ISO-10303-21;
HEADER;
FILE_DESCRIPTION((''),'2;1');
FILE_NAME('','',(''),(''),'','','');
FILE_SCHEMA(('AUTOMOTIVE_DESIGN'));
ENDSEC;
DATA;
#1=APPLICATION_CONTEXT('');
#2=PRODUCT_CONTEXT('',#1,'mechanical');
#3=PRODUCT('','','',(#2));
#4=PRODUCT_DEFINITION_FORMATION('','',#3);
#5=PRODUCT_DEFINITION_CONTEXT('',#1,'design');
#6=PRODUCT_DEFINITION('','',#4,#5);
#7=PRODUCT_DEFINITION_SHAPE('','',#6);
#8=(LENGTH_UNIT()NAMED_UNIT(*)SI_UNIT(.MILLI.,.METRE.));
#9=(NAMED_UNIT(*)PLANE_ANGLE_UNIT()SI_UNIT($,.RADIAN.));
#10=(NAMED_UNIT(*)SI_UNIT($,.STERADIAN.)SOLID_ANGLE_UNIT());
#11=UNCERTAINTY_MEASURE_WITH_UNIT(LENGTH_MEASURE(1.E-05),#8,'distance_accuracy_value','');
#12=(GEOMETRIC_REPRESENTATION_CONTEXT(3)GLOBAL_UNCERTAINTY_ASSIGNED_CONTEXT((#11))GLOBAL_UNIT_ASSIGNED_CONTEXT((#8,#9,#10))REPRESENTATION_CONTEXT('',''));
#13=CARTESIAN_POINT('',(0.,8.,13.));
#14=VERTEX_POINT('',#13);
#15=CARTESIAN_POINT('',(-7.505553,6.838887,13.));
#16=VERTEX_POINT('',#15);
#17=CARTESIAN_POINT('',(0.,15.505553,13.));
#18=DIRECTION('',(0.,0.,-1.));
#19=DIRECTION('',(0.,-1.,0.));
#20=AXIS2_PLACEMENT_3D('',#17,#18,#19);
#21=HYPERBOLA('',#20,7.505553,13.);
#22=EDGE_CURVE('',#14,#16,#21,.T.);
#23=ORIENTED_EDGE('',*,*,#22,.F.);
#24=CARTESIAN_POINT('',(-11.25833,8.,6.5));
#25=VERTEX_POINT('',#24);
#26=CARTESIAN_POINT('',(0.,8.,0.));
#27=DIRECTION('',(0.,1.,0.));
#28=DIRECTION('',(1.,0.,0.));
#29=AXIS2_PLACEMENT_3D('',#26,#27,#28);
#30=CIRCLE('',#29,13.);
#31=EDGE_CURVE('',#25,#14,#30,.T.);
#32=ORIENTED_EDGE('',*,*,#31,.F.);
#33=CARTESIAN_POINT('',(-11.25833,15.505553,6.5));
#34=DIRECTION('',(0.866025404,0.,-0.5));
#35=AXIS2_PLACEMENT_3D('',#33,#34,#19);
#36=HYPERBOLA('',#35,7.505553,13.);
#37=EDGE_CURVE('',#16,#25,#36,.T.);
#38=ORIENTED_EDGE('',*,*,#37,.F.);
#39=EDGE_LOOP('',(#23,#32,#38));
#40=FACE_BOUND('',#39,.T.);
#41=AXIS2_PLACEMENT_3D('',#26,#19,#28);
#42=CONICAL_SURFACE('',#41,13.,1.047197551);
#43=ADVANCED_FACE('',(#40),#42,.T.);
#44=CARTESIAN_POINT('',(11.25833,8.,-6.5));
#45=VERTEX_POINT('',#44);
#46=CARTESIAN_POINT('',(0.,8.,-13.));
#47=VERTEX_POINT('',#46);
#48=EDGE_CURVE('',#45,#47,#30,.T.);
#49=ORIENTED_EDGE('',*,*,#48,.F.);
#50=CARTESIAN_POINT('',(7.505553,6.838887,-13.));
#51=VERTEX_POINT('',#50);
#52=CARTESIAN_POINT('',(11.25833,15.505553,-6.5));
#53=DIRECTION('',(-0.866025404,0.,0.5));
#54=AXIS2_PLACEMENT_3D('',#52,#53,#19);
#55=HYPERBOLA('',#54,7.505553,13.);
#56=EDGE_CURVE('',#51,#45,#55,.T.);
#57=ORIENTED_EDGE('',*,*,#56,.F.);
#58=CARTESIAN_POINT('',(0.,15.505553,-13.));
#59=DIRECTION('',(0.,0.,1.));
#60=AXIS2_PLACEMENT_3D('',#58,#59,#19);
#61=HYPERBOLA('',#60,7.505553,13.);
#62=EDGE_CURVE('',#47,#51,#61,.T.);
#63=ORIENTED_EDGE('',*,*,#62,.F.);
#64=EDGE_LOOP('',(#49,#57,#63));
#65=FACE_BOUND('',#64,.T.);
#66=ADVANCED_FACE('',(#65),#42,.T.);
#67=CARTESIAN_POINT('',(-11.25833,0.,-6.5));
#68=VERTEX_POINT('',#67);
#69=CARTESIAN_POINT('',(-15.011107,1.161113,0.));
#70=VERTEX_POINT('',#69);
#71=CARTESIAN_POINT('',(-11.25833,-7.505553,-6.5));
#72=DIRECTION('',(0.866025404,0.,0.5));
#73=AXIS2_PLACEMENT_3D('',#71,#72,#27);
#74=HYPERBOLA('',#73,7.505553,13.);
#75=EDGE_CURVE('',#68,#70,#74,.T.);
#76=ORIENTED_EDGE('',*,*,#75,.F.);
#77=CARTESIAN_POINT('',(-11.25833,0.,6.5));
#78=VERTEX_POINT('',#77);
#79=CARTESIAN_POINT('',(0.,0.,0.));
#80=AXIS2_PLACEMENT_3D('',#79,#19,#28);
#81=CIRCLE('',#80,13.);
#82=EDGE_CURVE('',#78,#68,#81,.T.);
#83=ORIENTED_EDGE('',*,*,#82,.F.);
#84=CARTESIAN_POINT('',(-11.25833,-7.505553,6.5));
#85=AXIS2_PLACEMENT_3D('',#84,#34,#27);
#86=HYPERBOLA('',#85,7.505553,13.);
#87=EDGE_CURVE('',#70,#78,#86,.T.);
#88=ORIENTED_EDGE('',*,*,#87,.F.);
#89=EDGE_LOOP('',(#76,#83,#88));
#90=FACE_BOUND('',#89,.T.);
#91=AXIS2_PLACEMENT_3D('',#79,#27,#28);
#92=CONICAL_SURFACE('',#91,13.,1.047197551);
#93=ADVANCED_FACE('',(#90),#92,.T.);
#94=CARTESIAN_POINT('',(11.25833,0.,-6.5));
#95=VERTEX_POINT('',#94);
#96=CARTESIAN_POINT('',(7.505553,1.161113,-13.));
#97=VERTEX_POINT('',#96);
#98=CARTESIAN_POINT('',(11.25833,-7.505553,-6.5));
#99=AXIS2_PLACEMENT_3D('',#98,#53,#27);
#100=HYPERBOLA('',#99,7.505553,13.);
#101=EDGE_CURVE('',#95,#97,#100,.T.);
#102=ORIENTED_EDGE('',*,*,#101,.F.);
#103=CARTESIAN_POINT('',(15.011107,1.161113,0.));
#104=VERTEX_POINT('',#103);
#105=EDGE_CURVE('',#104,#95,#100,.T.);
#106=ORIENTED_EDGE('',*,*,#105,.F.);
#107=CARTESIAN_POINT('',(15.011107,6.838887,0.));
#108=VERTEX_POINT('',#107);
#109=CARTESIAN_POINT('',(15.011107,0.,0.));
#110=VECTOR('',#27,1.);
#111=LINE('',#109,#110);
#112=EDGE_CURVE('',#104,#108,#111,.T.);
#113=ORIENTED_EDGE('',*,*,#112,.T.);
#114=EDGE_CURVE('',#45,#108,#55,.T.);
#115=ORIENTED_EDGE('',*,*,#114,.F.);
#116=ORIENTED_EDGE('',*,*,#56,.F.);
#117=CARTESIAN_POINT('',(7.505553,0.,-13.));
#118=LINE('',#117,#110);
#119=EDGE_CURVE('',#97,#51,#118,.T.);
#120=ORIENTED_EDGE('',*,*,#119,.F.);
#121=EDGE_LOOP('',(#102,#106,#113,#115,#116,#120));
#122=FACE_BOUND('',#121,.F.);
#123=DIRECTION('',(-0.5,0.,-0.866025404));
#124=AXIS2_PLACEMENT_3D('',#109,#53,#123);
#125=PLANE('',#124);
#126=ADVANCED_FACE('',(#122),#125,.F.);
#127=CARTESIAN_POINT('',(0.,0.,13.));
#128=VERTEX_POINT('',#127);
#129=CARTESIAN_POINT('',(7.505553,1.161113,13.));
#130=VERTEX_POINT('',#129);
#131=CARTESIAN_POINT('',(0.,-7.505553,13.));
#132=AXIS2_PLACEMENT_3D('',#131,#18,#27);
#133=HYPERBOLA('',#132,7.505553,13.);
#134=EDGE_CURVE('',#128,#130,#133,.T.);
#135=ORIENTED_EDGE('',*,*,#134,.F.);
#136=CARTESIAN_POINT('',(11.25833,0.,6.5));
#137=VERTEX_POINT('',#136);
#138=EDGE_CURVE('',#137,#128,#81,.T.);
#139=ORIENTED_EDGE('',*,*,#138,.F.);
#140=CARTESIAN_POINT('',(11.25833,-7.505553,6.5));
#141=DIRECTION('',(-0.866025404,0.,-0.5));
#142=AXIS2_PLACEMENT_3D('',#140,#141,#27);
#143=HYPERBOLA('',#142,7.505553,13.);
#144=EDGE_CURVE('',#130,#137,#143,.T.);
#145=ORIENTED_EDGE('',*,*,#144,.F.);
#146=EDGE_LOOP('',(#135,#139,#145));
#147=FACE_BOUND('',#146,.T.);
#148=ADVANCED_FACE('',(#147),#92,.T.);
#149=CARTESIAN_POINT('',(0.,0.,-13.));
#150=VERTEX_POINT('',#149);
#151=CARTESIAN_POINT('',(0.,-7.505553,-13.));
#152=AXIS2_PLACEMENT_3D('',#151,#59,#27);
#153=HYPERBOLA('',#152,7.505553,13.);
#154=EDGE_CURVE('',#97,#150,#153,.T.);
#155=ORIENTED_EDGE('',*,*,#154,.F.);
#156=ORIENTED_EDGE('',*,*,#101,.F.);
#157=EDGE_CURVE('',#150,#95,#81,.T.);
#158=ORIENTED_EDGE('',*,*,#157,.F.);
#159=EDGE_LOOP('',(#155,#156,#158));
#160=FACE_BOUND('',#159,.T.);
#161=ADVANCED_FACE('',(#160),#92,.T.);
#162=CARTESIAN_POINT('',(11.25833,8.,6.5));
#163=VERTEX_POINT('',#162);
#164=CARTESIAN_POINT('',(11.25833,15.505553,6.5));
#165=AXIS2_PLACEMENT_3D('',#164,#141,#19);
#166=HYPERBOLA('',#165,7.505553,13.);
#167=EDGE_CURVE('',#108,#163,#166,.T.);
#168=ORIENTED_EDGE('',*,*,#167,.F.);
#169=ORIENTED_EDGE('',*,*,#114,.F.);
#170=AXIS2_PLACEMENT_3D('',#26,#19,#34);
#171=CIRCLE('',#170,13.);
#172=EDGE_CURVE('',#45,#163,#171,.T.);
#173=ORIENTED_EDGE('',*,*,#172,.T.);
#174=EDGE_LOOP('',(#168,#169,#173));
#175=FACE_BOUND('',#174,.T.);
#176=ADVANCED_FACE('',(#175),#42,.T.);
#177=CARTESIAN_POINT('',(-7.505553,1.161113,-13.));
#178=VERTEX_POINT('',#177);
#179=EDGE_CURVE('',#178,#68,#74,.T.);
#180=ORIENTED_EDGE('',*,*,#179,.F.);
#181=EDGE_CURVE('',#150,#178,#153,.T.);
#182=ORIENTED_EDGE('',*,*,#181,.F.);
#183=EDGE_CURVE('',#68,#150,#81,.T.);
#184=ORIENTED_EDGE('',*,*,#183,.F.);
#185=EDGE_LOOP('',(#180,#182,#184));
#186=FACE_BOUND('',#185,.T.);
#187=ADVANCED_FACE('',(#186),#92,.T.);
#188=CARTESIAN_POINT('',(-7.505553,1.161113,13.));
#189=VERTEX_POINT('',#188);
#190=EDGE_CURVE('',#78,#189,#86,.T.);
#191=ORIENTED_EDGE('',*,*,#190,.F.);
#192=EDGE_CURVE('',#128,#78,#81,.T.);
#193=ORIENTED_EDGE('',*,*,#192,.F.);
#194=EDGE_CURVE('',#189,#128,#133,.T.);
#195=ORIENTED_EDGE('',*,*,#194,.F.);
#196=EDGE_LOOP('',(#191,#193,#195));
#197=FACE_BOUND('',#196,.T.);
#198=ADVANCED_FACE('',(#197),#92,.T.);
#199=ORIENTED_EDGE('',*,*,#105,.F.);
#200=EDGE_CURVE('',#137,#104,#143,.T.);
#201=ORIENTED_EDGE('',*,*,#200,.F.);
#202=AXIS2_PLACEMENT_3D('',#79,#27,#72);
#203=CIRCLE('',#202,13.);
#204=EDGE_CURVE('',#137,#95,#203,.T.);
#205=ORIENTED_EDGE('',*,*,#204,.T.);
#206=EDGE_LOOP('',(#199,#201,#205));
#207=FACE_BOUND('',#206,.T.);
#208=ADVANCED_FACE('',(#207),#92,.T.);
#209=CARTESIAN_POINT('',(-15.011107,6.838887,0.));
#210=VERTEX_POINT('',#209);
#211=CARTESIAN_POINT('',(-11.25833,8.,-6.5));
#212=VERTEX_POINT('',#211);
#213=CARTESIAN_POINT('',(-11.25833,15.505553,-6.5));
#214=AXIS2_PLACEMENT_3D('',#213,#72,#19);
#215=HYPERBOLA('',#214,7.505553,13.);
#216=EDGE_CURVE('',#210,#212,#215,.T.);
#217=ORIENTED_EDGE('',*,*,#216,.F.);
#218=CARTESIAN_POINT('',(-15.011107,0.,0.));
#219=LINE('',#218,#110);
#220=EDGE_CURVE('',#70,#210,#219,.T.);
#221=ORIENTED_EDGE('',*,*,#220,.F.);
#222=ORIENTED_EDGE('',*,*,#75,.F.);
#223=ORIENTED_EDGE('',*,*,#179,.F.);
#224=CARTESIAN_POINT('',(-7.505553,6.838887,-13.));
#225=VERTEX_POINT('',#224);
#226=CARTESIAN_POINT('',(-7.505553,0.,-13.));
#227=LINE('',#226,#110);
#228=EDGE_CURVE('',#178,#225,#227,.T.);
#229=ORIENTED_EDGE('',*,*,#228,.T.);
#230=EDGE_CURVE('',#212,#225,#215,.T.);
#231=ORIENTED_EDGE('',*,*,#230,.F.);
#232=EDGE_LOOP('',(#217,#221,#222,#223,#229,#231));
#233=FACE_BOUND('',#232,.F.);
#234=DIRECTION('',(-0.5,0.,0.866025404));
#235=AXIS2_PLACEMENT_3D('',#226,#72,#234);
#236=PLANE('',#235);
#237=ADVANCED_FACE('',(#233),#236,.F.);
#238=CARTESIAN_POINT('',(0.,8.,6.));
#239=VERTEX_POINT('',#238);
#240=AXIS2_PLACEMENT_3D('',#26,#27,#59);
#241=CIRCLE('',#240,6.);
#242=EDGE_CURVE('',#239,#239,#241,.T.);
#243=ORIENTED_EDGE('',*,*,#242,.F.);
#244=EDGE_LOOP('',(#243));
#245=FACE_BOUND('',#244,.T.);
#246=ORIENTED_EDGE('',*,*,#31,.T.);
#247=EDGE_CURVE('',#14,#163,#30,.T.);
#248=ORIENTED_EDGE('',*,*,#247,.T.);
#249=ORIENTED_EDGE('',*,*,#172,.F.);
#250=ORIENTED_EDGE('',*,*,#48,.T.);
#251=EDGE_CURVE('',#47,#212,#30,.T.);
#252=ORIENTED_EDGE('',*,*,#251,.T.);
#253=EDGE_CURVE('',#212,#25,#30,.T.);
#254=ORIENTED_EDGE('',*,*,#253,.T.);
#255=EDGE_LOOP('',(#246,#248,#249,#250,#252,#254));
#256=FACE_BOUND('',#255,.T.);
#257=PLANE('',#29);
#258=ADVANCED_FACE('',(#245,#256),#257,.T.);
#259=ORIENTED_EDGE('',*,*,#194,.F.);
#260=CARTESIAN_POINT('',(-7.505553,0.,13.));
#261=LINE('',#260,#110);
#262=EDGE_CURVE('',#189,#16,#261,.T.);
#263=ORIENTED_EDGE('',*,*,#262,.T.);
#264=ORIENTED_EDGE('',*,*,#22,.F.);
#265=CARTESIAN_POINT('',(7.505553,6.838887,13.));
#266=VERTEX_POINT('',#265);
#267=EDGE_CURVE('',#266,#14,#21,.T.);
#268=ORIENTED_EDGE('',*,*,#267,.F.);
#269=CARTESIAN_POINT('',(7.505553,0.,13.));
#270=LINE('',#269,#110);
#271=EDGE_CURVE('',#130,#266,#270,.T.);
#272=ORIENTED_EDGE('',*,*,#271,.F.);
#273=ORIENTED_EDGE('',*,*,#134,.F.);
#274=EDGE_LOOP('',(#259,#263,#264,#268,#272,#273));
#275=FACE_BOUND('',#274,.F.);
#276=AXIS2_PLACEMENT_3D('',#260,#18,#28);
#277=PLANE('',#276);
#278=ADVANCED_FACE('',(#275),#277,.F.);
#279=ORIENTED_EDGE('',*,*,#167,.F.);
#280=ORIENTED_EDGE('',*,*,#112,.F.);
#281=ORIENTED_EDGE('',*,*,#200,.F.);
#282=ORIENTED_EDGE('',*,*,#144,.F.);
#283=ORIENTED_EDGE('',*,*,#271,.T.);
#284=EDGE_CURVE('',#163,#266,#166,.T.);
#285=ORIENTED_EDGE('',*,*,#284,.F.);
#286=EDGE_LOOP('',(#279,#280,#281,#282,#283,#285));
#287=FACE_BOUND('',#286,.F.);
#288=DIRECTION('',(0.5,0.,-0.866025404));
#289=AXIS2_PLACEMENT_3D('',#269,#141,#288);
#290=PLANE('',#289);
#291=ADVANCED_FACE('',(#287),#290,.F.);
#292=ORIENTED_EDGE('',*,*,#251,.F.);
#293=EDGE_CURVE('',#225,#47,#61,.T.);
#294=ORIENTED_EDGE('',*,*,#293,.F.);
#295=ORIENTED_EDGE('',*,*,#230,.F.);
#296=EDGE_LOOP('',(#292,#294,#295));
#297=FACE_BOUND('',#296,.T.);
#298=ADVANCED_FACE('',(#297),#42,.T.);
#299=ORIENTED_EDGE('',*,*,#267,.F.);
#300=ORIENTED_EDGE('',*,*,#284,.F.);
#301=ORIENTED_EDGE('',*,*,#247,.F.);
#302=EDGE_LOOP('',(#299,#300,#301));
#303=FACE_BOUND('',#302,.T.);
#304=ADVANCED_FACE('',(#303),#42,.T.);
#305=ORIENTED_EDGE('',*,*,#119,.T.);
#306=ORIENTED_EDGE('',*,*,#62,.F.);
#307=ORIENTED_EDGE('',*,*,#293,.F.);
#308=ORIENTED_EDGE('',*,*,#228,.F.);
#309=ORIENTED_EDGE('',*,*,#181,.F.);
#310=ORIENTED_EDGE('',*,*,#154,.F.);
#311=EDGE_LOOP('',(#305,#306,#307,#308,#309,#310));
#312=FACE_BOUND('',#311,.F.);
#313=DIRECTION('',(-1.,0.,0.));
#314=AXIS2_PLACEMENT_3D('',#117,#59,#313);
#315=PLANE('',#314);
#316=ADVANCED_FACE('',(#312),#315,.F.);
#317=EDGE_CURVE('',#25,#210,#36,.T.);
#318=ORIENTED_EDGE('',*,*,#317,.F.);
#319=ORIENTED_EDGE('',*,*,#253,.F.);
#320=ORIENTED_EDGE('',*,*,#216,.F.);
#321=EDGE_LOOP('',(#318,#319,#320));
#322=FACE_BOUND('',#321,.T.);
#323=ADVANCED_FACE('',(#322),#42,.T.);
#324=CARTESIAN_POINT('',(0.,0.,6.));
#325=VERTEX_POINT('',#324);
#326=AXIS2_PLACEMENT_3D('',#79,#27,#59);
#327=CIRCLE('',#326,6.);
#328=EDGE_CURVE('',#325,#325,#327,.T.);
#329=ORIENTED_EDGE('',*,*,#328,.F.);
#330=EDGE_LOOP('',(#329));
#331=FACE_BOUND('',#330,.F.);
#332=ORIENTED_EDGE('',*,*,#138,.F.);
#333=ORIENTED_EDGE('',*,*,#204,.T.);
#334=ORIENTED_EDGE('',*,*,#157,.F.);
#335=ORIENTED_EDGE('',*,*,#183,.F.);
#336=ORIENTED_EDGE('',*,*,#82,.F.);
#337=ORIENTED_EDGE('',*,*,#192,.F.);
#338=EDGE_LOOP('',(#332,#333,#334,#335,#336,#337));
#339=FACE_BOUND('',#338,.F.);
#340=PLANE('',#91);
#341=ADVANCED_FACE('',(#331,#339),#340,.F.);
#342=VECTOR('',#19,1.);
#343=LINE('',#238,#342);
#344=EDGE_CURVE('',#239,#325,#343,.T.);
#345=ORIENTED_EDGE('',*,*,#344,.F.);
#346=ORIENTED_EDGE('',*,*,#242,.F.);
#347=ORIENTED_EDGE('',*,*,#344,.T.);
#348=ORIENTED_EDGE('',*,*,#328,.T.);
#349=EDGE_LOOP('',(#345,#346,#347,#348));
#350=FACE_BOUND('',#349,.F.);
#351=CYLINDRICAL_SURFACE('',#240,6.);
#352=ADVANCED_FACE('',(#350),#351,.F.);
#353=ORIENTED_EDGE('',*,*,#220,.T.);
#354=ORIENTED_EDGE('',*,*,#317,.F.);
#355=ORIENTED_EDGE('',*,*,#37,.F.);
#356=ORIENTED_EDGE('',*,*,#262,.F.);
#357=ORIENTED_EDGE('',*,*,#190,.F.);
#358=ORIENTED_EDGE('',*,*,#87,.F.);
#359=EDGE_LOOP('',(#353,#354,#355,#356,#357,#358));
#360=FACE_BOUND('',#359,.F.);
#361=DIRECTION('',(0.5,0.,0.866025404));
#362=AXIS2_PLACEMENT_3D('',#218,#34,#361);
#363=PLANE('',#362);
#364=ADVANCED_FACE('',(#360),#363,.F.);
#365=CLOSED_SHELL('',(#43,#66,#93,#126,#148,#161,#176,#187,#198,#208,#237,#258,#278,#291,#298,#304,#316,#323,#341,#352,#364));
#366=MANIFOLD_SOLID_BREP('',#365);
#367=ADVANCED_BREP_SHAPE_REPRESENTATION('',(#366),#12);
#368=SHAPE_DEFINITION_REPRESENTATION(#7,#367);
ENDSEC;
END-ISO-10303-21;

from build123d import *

# Parameters (mm, degrees)
BOSS_EXTRUDE1_DEPTH     = 8
SKETCH2_R               = 6
CUT_EXTRUDE1_DEPTH      = 22.408720964
SKETCH3_OUTSIDE_W       = 67.838
SKETCH3_OUTSIDE_H       = 63.816
SKETCH3_OUTSIDE_R       = 13
CUT_EXTRUDE2_DEPTH      = 8
CUT_EXTRUDE2_DRAFT      = -60
MIRROR1_COPY_1_SKETCH_W = 67.838
MIRROR1_COPY_1_SKETCH_H = 63.816
MIRROR1_COPY_1_SKETCH_R = 13
MIRROR1_COPY_1_DEPTH    = 8
MIRROR1_COPY_1_DRAFT    = -60


with BuildPart() as part:
    # Sketch1 → Boss-Extrude1 (new body)
    with BuildSketch(Plane(origin=(0, 0, 0), x_dir=(1, 0, 0), z_dir=(0, 1, 0))):
        Polygon((7.505553499, -13), (15.011106999, 0), (7.505553499, 13), (-7.505553499, 13), (-15.011106999, 0), (-7.505553499, -13), align=None)
    extrude(amount=BOSS_EXTRUDE1_DEPTH)

    # Sketch2 → Cut-Extrude1 (cut, through all)
    with BuildSketch(Plane(origin=(0, 8, 0), x_dir=(1, 0, 0), z_dir=(0, 1, 0))):
        with Locations(Location((0, 0, 0), (0, 0, 270))):
            Circle(SKETCH2_R)
    extrude(amount=-CUT_EXTRUDE1_DEPTH, mode=Mode.SUBTRACT)


with BuildPart() as cut_extrude2_tool:
    # Sketch3 outside → Cut-Extrude2 (with draft: the straight prism first)
    with BuildSketch(Plane(origin=(0, 8, 0), x_dir=(1, 0, 0), z_dir=(0, 1, 0))):
        Rectangle(SKETCH3_OUTSIDE_W, SKETCH3_OUTSIDE_H)
        Circle(SKETCH3_OUTSIDE_R, mode=Mode.SUBTRACT)
    extrude(amount=-CUT_EXTRUDE2_DEPTH)
    # Cut-Extrude2: the draft: its side faces are tilted about the plane it starts from
    cut_extrude2_sides = [cut_extrude2_tool.faces().sort_by_distance(p)[0] for p in [
        (0, 4, 31.908),
        (33.919, 4, 0),
        (0, 4, -31.908),
        (-33.919, 4, 0),
        (-13, 4, 0),
    ]]
    draft(cut_extrude2_sides, Plane(origin=(0, 8, 0), x_dir=(1, 0, 0), z_dir=(0, 1, 0)), CUT_EXTRUDE2_DRAFT)


with BuildPart() as part_1:
    add(part.part)

    # Cut-Extrude2: cut by cut_extrude2_tool
    add(cut_extrude2_tool.part, mode=Mode.SUBTRACT)


with BuildPart() as mirror1_copy_1_tool:
    # Mirror1 copy 1 sketch → Mirror1 copy 1 (with draft: the straight prism first)
    with BuildSketch(Plane.XZ):
        Rectangle(MIRROR1_COPY_1_SKETCH_W, MIRROR1_COPY_1_SKETCH_H)
        Circle(MIRROR1_COPY_1_SKETCH_R, mode=Mode.SUBTRACT)
    extrude(amount=-MIRROR1_COPY_1_DEPTH)
    # Mirror1 copy 1: the draft: its side faces are tilted about the plane it starts from
    mirror1_copy_1_sides = [mirror1_copy_1_tool.faces().sort_by_distance(p)[0] for p in [
        (0, 4, 31.908),
        (33.919, 4, 0),
        (0, 4, -31.908),
        (-33.919, 4, 0),
        (-13, 4, 0),
    ]]
    draft(mirror1_copy_1_sides, Plane.XZ, MIRROR1_COPY_1_DRAFT)


with BuildPart() as part_2:
    add(part_1.part)

    # Mirror1 copy 1: cut by mirror1_copy_1_tool
    add(mirror1_copy_1_tool.part, mode=Mode.SUBTRACT)


solid = part_2.part
